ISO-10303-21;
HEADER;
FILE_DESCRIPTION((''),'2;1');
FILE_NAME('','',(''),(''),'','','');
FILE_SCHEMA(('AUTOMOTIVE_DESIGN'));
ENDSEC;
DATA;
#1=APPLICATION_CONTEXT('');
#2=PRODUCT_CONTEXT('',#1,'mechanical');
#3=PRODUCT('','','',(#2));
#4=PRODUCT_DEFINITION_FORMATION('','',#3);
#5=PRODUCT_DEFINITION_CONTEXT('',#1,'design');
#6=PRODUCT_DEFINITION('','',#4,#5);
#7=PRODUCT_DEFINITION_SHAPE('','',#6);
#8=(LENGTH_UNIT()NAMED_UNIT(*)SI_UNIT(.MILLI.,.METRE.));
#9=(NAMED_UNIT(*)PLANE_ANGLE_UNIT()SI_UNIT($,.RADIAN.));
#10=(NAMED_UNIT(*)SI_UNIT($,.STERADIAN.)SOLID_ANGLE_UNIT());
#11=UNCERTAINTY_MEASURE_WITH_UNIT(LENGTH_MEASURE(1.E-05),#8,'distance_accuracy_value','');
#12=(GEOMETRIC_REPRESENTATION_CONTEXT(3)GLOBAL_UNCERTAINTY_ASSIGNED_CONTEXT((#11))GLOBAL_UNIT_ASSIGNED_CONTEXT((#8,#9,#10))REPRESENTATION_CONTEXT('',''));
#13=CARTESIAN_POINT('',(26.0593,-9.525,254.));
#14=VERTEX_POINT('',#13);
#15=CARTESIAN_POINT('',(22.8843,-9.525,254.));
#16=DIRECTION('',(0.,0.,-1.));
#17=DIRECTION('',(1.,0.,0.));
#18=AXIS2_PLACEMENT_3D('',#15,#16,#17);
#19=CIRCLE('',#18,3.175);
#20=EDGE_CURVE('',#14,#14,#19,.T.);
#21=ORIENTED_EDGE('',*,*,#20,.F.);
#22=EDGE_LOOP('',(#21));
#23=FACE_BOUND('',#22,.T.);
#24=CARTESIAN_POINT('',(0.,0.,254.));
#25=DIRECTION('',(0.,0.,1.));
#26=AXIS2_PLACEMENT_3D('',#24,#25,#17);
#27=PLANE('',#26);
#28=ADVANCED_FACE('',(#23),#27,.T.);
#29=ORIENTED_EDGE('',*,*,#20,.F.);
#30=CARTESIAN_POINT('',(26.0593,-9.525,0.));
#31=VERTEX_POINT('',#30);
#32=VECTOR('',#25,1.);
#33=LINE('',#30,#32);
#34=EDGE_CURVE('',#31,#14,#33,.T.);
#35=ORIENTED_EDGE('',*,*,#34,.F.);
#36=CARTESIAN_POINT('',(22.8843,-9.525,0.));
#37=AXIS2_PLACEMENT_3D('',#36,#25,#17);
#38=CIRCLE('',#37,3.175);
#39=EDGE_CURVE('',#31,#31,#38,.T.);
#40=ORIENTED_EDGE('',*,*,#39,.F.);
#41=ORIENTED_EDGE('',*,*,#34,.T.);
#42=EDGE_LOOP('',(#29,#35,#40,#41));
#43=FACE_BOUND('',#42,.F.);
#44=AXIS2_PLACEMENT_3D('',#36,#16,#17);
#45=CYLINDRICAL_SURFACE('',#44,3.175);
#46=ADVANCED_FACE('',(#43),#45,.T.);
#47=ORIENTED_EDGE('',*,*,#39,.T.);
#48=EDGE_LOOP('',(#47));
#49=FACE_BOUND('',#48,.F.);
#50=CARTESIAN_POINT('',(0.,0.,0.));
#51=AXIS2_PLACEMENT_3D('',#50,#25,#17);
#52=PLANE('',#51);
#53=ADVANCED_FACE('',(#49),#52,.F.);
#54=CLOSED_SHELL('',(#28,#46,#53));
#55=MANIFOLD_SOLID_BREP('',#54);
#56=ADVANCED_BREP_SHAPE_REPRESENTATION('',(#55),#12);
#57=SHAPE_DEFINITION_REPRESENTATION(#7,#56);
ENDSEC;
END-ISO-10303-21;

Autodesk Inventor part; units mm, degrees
ref_plane "YZ Plane" through (0, 0, 0) normal (1, 0, 0) x (0, 1, 0)
ref_plane "XZ Plane" through (0, 0, 0) normal (0, 1, 0) x (-1, 0, 0)
ref_plane "XY Plane" through (0, 0, 0) normal (0, 0, 1) x (1, 0, 0)
ref_plane "Work Plane1" through (0, 0, 0) normal (0, 0, 1) x (1, 0, 0)
sketch "Sketch1" plane through (0, 0, 0) normal (0, 0, 1) x (1, 0, 0)
  circle A0 centre (93.0941, -9.525) radius 3.175 projected
  line L0 (0, 0) -> (0, -19.05) projected
  line L1 (0, -19.05) -> (101.6, -19.05) projected
  line L2 (101.6, 0) -> (101.6, -19.05) projected
  line L3 (0, 0) -> (101.6, 0) projected
  line L4 (31.1152, -67.3136) -> (74.0512, -63.5572) projected
  line L5 (17.5579, 87.6465) -> (31.1152, -67.3136) projected
  line L6 (60.4939, 91.403) -> (17.5579, 87.6465) projected
  line L7 (26.8927, -19.05) -> (25.226, 0)
  circle A1 centre (22.8843, -9.525) radius 3.175
  line L8 (74.0512, -63.5572) -> (60.4939, 91.403) projected
extrude "Extrusion1" add sketch "Sketch1" along normal blind 254 contours A1 L5 | L5 A1
